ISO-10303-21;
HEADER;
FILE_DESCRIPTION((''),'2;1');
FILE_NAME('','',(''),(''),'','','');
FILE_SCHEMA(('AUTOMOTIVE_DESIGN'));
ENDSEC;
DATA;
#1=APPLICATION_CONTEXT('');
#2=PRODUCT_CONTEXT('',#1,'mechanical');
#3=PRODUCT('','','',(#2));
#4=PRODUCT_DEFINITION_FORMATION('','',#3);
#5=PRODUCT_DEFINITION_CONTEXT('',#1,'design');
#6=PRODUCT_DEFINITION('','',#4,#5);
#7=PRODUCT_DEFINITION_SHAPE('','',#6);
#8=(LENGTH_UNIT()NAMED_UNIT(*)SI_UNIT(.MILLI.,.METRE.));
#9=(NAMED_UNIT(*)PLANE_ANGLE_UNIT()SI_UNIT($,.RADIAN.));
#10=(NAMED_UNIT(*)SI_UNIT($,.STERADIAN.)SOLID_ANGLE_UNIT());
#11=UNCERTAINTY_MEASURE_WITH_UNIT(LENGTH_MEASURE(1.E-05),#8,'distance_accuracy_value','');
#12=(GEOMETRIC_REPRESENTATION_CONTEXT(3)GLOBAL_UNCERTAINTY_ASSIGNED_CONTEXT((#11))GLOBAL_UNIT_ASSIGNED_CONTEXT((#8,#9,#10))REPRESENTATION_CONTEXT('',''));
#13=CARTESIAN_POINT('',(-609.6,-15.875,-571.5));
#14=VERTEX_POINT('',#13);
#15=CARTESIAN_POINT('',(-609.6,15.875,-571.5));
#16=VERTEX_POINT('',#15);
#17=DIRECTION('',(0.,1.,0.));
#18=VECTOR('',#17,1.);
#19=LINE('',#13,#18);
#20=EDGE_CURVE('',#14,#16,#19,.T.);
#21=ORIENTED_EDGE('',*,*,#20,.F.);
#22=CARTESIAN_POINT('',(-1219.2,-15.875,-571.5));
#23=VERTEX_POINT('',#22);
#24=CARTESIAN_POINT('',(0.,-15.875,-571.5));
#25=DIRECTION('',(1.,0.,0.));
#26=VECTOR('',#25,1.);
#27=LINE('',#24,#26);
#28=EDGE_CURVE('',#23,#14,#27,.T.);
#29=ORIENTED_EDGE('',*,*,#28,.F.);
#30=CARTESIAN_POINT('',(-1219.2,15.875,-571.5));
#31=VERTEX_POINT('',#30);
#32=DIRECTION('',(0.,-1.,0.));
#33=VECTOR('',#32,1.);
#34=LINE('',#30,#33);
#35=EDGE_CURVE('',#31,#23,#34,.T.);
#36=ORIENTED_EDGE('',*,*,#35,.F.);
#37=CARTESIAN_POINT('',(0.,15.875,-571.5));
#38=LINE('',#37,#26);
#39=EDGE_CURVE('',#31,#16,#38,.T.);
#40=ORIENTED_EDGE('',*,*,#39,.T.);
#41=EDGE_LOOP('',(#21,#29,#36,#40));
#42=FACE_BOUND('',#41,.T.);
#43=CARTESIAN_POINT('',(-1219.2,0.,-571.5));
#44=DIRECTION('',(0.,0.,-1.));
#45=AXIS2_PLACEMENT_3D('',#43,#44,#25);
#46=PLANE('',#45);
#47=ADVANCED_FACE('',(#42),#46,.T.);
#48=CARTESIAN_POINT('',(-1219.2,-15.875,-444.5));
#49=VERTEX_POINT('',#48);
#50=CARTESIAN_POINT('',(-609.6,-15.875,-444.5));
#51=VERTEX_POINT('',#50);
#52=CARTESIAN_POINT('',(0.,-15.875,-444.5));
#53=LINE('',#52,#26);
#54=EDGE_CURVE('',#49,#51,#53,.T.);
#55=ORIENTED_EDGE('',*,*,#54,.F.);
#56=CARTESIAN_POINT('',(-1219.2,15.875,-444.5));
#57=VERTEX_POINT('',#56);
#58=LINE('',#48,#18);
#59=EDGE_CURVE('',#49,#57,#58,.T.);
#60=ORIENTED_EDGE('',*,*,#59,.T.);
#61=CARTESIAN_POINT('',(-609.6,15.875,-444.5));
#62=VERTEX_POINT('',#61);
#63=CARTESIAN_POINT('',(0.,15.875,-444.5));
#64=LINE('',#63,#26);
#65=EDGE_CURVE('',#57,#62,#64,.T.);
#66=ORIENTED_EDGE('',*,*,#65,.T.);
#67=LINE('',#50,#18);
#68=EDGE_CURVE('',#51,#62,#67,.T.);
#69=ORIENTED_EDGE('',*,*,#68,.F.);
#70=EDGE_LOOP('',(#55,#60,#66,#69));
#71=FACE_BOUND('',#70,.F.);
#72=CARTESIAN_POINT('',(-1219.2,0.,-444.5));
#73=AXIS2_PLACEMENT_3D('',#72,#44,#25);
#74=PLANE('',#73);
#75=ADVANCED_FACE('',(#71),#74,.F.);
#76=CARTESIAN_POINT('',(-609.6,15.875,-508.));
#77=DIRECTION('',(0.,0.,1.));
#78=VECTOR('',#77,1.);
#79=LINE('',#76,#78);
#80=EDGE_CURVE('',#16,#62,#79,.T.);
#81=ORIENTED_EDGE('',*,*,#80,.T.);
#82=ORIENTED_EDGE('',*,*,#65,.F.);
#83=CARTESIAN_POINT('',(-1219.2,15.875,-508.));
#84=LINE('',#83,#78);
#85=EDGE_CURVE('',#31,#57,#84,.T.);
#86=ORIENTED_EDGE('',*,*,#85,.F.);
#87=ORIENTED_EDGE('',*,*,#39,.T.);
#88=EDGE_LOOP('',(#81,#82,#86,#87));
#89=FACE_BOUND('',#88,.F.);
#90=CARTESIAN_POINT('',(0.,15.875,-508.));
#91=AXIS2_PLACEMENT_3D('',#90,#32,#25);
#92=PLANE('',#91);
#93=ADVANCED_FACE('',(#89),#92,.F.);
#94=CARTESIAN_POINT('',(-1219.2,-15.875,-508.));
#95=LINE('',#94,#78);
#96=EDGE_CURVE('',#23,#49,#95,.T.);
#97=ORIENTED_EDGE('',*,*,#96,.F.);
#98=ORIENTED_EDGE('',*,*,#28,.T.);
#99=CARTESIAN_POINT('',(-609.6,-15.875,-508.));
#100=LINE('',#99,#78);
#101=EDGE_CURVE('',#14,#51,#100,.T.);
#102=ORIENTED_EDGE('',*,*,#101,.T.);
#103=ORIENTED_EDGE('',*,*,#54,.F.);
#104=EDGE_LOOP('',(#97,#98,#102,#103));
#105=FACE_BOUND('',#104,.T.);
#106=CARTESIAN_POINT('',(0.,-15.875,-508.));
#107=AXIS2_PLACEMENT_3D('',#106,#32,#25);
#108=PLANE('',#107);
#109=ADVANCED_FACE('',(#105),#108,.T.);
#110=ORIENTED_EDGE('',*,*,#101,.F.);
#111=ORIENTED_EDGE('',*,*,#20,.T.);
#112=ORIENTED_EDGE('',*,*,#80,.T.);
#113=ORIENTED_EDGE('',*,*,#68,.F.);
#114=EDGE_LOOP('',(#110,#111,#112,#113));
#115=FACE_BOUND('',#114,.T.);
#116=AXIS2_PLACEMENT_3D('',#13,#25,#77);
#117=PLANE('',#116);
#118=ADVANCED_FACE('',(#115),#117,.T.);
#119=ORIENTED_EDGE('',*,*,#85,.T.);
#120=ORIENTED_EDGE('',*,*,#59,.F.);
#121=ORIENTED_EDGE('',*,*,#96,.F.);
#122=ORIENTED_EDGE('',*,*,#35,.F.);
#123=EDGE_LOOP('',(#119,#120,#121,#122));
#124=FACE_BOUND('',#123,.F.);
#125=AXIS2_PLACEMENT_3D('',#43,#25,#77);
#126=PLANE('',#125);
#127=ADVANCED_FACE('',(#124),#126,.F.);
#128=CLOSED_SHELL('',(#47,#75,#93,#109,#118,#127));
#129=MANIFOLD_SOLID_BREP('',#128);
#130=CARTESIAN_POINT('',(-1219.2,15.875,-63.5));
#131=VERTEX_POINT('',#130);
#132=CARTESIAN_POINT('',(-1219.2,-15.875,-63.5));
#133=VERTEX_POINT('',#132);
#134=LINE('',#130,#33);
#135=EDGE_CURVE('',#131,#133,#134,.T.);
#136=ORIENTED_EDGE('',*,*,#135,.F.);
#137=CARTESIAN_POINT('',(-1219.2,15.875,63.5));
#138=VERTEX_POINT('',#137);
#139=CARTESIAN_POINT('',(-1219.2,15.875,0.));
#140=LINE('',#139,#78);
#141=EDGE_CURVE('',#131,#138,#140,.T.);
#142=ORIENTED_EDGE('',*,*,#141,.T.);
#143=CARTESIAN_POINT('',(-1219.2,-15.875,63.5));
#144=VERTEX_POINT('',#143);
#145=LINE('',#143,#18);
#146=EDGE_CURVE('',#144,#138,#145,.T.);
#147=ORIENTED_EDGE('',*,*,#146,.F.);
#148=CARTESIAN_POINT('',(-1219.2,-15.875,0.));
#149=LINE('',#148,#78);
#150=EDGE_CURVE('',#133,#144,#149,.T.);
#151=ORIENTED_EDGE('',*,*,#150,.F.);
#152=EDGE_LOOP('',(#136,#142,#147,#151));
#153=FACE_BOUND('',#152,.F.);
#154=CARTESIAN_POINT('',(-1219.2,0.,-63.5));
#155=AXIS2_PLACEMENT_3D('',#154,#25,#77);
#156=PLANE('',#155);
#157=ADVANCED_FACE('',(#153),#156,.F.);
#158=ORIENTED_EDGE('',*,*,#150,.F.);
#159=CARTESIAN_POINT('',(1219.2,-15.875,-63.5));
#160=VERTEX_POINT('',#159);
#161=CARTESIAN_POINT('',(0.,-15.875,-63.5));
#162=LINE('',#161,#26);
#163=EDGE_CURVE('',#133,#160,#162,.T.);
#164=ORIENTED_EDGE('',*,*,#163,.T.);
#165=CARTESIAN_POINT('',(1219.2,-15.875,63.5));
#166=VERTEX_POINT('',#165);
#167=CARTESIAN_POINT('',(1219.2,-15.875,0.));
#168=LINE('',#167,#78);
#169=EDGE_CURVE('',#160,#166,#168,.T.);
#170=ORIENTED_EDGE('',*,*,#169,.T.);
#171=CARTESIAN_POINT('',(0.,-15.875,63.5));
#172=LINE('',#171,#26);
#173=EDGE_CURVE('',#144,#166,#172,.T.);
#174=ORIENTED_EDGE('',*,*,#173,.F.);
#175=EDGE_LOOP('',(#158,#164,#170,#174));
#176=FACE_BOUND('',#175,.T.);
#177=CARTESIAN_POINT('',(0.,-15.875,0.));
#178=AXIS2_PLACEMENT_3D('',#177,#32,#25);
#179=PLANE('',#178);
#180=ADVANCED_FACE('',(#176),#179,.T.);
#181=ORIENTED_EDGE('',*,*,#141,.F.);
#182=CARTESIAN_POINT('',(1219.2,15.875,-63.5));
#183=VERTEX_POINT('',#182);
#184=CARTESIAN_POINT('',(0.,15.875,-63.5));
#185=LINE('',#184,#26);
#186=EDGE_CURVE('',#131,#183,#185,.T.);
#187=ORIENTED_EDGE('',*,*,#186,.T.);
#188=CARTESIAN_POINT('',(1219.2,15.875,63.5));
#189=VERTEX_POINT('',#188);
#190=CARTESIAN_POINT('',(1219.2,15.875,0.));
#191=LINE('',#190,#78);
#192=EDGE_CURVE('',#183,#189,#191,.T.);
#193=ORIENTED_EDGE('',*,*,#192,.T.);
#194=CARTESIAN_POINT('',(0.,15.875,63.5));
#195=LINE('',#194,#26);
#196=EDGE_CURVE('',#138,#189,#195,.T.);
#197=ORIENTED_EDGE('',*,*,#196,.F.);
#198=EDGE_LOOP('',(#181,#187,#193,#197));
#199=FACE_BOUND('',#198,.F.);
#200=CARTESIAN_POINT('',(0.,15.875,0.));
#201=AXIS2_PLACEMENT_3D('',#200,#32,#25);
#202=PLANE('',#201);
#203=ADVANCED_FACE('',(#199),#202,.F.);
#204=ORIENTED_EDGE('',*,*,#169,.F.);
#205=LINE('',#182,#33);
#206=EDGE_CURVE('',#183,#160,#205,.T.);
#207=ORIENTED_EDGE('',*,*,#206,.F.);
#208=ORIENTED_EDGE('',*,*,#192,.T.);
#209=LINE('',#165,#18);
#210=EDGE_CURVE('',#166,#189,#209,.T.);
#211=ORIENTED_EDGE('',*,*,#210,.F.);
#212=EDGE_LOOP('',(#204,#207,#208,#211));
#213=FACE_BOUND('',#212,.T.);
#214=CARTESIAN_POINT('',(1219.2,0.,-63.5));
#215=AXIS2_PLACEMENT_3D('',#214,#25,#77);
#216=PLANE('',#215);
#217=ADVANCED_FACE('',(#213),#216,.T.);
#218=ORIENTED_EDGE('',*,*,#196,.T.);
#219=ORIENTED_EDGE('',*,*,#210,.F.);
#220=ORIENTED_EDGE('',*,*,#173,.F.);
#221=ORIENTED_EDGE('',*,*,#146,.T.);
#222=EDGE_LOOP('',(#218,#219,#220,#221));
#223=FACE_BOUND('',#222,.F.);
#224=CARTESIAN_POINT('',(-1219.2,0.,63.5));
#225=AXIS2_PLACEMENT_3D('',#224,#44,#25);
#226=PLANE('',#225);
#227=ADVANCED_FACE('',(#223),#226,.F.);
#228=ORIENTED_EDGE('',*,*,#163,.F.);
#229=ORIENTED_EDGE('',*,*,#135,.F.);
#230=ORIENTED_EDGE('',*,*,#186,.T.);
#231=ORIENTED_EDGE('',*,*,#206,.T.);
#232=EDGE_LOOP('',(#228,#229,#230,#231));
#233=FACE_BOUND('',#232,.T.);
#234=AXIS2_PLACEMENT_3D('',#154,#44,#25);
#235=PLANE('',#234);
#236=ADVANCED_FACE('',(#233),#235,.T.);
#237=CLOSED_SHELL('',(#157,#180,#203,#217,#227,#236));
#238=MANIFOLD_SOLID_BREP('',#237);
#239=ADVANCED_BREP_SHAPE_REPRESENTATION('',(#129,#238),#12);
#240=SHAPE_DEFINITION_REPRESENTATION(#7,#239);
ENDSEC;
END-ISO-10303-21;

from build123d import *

# Parameters (mm, degrees)
F0_W     = 2438.4
F0_H     = 127
F1_DEPTH = 15.875
F3_W     = 1828.8
F3_H     = 127
F4_DEPTH = 31.75


with BuildPart() as f1:
    # F0 (on Front) → F1 (new body, symmetric)
    with BuildSketch(Plane.XZ):
        Rectangle(F0_W, F0_H)
    extrude(amount=F1_DEPTH, both=True)


with BuildPart() as f2_1:
    # F2: copy of F1
    add(f1.part.moved(Location((0, 0, -508))))

    # F3 (on face) → F4 (cut)
    with BuildSketch(Plane.XZ.offset(15.875)):
        with Locations((304.8, -508)):
            Rectangle(F3_W, F3_H)
    extrude(amount=-F4_DEPTH, mode=Mode.SUBTRACT)


solid = Compound([f1.part, f2_1.part])
